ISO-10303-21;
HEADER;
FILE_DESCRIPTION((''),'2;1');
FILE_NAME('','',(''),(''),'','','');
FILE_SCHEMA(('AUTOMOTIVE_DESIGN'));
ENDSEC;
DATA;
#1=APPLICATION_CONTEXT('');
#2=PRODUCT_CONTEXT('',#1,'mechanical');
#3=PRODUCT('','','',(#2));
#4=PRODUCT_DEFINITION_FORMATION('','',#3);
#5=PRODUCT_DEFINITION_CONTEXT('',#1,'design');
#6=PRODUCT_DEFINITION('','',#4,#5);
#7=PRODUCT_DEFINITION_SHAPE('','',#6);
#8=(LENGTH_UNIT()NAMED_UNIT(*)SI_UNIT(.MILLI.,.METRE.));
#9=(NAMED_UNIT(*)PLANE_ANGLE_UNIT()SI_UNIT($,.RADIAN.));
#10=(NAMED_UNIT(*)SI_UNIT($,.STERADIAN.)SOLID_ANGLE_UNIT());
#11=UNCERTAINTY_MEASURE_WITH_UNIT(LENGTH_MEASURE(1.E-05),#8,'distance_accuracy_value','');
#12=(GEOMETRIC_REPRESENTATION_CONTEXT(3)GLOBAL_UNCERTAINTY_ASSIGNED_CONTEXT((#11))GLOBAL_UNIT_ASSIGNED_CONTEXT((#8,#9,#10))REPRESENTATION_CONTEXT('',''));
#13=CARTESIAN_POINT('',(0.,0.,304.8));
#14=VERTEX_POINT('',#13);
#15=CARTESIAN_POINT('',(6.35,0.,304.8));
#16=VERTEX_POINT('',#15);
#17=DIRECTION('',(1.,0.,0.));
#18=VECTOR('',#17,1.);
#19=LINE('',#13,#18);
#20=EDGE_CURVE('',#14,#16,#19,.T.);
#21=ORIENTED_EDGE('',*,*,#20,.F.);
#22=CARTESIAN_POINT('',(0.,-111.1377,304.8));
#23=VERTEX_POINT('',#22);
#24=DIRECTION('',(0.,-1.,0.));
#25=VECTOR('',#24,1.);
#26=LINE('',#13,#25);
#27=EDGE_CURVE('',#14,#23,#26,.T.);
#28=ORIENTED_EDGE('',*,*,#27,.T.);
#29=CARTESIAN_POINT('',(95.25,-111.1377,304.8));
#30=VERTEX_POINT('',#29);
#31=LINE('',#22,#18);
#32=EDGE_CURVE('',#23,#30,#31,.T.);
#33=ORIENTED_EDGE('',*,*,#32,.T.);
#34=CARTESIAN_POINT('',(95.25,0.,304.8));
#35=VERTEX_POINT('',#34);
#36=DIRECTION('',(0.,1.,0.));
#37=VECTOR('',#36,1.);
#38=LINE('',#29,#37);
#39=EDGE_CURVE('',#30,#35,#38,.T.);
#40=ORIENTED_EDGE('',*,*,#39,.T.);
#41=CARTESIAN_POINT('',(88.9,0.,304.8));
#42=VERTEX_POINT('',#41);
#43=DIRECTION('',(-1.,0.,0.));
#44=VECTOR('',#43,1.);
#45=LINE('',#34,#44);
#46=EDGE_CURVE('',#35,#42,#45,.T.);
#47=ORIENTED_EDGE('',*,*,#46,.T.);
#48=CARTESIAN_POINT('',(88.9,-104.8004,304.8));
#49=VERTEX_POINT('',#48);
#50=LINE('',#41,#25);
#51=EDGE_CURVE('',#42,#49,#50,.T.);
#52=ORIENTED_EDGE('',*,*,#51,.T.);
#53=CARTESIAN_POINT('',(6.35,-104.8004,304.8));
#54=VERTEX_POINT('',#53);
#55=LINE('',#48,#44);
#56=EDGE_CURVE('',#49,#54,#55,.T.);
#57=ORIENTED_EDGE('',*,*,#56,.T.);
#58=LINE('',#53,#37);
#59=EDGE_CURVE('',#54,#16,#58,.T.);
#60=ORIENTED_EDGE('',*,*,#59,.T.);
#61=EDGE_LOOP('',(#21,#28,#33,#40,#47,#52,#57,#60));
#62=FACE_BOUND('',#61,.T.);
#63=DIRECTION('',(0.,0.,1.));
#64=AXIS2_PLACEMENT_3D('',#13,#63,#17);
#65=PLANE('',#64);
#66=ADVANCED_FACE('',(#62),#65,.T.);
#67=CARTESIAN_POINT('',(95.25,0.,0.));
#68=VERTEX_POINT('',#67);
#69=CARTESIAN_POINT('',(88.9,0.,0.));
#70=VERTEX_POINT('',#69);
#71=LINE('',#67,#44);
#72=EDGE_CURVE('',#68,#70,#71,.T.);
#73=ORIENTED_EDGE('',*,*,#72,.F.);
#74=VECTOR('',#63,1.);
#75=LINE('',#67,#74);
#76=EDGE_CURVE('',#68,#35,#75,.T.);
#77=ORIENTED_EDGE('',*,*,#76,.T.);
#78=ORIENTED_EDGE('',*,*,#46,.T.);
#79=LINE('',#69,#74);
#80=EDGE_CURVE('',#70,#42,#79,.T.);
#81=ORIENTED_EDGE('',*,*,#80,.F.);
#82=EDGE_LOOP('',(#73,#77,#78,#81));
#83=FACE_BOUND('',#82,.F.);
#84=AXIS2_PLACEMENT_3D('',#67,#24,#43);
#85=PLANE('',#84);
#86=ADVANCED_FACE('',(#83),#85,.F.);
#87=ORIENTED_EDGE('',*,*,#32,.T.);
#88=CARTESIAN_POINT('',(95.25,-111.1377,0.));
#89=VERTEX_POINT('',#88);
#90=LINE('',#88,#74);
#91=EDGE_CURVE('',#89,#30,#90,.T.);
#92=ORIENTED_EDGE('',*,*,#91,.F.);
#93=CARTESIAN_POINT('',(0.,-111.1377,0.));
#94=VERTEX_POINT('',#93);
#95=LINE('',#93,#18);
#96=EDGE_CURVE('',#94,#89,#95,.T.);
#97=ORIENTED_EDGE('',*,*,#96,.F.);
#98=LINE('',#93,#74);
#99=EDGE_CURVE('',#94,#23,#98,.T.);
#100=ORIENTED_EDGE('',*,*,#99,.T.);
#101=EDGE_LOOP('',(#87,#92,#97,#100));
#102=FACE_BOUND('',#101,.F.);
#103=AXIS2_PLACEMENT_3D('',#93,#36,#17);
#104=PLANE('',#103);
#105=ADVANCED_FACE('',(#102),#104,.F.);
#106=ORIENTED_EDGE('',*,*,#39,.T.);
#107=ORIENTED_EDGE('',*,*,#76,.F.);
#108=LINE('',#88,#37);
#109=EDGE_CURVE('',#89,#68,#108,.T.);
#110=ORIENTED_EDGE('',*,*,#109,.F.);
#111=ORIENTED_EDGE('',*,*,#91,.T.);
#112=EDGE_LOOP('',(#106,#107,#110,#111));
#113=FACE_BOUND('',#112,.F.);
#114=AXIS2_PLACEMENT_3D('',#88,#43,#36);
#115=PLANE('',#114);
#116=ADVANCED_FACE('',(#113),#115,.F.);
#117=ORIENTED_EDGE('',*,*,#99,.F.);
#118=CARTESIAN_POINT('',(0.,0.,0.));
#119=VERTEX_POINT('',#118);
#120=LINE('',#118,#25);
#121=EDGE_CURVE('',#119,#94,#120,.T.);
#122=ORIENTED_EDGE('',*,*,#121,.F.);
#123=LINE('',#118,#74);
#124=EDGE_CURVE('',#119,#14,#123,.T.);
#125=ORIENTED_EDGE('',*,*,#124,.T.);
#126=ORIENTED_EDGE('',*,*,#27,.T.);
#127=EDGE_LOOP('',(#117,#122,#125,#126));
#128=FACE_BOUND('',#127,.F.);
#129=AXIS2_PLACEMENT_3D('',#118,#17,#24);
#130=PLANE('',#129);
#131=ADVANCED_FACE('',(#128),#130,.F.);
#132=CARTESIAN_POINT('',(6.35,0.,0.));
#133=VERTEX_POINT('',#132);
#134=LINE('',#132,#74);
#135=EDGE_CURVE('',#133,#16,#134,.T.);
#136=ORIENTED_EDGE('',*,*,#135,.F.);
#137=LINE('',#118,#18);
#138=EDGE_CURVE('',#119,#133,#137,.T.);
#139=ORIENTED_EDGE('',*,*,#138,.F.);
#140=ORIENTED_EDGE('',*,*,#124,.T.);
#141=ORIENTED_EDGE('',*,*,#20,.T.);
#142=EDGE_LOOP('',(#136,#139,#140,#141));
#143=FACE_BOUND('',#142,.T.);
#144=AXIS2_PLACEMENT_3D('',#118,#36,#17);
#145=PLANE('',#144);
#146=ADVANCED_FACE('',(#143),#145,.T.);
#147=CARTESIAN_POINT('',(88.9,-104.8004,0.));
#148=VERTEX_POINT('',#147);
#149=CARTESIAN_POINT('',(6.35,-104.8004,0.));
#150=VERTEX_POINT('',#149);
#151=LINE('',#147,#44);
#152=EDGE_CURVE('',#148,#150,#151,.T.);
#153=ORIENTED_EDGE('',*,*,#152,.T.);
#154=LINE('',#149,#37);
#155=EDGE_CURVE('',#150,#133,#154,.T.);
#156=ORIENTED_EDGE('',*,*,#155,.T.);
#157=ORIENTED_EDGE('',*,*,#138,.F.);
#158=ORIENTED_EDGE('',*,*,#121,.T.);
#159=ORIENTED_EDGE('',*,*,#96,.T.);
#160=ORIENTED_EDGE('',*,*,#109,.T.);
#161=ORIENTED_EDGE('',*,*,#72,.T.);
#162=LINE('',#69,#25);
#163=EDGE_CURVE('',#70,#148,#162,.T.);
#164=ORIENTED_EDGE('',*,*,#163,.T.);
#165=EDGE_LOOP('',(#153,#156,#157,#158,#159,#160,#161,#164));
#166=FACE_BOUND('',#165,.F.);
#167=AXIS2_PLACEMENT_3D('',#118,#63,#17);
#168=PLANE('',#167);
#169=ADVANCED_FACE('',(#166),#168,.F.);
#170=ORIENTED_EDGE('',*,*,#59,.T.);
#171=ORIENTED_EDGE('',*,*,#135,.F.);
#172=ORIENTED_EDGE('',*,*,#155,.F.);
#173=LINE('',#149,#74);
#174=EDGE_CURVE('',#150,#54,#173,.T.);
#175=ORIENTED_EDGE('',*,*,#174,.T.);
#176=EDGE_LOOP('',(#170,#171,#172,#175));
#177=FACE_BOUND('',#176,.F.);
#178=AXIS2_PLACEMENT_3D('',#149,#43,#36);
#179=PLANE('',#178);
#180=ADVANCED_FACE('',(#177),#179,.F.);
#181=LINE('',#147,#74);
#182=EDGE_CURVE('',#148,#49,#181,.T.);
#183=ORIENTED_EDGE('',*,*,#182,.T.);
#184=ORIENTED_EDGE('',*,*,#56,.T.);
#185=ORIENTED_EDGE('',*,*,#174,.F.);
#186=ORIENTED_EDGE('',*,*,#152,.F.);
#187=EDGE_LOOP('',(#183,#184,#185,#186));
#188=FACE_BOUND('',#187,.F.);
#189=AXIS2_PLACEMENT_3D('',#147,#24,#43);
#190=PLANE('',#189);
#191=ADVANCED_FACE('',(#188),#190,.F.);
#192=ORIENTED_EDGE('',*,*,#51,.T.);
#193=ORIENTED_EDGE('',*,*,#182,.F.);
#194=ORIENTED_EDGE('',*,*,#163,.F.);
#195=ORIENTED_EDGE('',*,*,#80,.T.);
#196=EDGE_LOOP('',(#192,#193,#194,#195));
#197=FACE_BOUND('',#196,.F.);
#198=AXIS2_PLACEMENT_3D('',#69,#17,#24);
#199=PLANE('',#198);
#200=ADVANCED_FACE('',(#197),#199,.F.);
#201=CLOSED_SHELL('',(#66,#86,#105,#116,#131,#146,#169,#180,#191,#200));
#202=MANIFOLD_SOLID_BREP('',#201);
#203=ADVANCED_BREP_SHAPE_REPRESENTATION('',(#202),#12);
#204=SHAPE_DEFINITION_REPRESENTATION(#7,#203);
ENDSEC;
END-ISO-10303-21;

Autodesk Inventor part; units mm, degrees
ref_plane "YZ Plane" through (0, 0, 0) normal (1, 0, 0) x (0, 1, 0)
ref_plane "XZ Plane" through (0, 0, 0) normal (0, 1, 0) x (-1, 0, 0)
ref_plane "XY Plane" through (0, 0, 0) normal (0, 0, 1) x (1, 0, 0)
sketch "Sketch1" plane through (0, 0, 0) normal (0, 0, 1) x (1, 0, 0)
  line L0 (0, 0) -> (6.35, 0)
  line L1 (0, 0) -> (0, -111.1377)
  line L2 (0, -111.1377) -> (95.25, -111.1377)
  line L3 (95.25, -111.1377) -> (95.25, 0)
  line L4 (95.25, 0) -> (88.9, 0)
  line L5 (88.9, 0) -> (88.9, -104.8004)
  line L6 (88.9, -104.8004) -> (6.35, -104.8004)
  line L7 (6.35, -104.8004) -> (6.35, 0)
  dimension "d2" = 6.35
  dimension "d7" = 111.1377
  dimension "d8" = 95.25
  dimension "d9" = 6.35
  dimension "d10" = 104.8004
extrude "Extrusion1" add sketch "Sketch1" along normal blind 304.8
properties part number "CompactSlidePart3" material "Aluminum 6061"
